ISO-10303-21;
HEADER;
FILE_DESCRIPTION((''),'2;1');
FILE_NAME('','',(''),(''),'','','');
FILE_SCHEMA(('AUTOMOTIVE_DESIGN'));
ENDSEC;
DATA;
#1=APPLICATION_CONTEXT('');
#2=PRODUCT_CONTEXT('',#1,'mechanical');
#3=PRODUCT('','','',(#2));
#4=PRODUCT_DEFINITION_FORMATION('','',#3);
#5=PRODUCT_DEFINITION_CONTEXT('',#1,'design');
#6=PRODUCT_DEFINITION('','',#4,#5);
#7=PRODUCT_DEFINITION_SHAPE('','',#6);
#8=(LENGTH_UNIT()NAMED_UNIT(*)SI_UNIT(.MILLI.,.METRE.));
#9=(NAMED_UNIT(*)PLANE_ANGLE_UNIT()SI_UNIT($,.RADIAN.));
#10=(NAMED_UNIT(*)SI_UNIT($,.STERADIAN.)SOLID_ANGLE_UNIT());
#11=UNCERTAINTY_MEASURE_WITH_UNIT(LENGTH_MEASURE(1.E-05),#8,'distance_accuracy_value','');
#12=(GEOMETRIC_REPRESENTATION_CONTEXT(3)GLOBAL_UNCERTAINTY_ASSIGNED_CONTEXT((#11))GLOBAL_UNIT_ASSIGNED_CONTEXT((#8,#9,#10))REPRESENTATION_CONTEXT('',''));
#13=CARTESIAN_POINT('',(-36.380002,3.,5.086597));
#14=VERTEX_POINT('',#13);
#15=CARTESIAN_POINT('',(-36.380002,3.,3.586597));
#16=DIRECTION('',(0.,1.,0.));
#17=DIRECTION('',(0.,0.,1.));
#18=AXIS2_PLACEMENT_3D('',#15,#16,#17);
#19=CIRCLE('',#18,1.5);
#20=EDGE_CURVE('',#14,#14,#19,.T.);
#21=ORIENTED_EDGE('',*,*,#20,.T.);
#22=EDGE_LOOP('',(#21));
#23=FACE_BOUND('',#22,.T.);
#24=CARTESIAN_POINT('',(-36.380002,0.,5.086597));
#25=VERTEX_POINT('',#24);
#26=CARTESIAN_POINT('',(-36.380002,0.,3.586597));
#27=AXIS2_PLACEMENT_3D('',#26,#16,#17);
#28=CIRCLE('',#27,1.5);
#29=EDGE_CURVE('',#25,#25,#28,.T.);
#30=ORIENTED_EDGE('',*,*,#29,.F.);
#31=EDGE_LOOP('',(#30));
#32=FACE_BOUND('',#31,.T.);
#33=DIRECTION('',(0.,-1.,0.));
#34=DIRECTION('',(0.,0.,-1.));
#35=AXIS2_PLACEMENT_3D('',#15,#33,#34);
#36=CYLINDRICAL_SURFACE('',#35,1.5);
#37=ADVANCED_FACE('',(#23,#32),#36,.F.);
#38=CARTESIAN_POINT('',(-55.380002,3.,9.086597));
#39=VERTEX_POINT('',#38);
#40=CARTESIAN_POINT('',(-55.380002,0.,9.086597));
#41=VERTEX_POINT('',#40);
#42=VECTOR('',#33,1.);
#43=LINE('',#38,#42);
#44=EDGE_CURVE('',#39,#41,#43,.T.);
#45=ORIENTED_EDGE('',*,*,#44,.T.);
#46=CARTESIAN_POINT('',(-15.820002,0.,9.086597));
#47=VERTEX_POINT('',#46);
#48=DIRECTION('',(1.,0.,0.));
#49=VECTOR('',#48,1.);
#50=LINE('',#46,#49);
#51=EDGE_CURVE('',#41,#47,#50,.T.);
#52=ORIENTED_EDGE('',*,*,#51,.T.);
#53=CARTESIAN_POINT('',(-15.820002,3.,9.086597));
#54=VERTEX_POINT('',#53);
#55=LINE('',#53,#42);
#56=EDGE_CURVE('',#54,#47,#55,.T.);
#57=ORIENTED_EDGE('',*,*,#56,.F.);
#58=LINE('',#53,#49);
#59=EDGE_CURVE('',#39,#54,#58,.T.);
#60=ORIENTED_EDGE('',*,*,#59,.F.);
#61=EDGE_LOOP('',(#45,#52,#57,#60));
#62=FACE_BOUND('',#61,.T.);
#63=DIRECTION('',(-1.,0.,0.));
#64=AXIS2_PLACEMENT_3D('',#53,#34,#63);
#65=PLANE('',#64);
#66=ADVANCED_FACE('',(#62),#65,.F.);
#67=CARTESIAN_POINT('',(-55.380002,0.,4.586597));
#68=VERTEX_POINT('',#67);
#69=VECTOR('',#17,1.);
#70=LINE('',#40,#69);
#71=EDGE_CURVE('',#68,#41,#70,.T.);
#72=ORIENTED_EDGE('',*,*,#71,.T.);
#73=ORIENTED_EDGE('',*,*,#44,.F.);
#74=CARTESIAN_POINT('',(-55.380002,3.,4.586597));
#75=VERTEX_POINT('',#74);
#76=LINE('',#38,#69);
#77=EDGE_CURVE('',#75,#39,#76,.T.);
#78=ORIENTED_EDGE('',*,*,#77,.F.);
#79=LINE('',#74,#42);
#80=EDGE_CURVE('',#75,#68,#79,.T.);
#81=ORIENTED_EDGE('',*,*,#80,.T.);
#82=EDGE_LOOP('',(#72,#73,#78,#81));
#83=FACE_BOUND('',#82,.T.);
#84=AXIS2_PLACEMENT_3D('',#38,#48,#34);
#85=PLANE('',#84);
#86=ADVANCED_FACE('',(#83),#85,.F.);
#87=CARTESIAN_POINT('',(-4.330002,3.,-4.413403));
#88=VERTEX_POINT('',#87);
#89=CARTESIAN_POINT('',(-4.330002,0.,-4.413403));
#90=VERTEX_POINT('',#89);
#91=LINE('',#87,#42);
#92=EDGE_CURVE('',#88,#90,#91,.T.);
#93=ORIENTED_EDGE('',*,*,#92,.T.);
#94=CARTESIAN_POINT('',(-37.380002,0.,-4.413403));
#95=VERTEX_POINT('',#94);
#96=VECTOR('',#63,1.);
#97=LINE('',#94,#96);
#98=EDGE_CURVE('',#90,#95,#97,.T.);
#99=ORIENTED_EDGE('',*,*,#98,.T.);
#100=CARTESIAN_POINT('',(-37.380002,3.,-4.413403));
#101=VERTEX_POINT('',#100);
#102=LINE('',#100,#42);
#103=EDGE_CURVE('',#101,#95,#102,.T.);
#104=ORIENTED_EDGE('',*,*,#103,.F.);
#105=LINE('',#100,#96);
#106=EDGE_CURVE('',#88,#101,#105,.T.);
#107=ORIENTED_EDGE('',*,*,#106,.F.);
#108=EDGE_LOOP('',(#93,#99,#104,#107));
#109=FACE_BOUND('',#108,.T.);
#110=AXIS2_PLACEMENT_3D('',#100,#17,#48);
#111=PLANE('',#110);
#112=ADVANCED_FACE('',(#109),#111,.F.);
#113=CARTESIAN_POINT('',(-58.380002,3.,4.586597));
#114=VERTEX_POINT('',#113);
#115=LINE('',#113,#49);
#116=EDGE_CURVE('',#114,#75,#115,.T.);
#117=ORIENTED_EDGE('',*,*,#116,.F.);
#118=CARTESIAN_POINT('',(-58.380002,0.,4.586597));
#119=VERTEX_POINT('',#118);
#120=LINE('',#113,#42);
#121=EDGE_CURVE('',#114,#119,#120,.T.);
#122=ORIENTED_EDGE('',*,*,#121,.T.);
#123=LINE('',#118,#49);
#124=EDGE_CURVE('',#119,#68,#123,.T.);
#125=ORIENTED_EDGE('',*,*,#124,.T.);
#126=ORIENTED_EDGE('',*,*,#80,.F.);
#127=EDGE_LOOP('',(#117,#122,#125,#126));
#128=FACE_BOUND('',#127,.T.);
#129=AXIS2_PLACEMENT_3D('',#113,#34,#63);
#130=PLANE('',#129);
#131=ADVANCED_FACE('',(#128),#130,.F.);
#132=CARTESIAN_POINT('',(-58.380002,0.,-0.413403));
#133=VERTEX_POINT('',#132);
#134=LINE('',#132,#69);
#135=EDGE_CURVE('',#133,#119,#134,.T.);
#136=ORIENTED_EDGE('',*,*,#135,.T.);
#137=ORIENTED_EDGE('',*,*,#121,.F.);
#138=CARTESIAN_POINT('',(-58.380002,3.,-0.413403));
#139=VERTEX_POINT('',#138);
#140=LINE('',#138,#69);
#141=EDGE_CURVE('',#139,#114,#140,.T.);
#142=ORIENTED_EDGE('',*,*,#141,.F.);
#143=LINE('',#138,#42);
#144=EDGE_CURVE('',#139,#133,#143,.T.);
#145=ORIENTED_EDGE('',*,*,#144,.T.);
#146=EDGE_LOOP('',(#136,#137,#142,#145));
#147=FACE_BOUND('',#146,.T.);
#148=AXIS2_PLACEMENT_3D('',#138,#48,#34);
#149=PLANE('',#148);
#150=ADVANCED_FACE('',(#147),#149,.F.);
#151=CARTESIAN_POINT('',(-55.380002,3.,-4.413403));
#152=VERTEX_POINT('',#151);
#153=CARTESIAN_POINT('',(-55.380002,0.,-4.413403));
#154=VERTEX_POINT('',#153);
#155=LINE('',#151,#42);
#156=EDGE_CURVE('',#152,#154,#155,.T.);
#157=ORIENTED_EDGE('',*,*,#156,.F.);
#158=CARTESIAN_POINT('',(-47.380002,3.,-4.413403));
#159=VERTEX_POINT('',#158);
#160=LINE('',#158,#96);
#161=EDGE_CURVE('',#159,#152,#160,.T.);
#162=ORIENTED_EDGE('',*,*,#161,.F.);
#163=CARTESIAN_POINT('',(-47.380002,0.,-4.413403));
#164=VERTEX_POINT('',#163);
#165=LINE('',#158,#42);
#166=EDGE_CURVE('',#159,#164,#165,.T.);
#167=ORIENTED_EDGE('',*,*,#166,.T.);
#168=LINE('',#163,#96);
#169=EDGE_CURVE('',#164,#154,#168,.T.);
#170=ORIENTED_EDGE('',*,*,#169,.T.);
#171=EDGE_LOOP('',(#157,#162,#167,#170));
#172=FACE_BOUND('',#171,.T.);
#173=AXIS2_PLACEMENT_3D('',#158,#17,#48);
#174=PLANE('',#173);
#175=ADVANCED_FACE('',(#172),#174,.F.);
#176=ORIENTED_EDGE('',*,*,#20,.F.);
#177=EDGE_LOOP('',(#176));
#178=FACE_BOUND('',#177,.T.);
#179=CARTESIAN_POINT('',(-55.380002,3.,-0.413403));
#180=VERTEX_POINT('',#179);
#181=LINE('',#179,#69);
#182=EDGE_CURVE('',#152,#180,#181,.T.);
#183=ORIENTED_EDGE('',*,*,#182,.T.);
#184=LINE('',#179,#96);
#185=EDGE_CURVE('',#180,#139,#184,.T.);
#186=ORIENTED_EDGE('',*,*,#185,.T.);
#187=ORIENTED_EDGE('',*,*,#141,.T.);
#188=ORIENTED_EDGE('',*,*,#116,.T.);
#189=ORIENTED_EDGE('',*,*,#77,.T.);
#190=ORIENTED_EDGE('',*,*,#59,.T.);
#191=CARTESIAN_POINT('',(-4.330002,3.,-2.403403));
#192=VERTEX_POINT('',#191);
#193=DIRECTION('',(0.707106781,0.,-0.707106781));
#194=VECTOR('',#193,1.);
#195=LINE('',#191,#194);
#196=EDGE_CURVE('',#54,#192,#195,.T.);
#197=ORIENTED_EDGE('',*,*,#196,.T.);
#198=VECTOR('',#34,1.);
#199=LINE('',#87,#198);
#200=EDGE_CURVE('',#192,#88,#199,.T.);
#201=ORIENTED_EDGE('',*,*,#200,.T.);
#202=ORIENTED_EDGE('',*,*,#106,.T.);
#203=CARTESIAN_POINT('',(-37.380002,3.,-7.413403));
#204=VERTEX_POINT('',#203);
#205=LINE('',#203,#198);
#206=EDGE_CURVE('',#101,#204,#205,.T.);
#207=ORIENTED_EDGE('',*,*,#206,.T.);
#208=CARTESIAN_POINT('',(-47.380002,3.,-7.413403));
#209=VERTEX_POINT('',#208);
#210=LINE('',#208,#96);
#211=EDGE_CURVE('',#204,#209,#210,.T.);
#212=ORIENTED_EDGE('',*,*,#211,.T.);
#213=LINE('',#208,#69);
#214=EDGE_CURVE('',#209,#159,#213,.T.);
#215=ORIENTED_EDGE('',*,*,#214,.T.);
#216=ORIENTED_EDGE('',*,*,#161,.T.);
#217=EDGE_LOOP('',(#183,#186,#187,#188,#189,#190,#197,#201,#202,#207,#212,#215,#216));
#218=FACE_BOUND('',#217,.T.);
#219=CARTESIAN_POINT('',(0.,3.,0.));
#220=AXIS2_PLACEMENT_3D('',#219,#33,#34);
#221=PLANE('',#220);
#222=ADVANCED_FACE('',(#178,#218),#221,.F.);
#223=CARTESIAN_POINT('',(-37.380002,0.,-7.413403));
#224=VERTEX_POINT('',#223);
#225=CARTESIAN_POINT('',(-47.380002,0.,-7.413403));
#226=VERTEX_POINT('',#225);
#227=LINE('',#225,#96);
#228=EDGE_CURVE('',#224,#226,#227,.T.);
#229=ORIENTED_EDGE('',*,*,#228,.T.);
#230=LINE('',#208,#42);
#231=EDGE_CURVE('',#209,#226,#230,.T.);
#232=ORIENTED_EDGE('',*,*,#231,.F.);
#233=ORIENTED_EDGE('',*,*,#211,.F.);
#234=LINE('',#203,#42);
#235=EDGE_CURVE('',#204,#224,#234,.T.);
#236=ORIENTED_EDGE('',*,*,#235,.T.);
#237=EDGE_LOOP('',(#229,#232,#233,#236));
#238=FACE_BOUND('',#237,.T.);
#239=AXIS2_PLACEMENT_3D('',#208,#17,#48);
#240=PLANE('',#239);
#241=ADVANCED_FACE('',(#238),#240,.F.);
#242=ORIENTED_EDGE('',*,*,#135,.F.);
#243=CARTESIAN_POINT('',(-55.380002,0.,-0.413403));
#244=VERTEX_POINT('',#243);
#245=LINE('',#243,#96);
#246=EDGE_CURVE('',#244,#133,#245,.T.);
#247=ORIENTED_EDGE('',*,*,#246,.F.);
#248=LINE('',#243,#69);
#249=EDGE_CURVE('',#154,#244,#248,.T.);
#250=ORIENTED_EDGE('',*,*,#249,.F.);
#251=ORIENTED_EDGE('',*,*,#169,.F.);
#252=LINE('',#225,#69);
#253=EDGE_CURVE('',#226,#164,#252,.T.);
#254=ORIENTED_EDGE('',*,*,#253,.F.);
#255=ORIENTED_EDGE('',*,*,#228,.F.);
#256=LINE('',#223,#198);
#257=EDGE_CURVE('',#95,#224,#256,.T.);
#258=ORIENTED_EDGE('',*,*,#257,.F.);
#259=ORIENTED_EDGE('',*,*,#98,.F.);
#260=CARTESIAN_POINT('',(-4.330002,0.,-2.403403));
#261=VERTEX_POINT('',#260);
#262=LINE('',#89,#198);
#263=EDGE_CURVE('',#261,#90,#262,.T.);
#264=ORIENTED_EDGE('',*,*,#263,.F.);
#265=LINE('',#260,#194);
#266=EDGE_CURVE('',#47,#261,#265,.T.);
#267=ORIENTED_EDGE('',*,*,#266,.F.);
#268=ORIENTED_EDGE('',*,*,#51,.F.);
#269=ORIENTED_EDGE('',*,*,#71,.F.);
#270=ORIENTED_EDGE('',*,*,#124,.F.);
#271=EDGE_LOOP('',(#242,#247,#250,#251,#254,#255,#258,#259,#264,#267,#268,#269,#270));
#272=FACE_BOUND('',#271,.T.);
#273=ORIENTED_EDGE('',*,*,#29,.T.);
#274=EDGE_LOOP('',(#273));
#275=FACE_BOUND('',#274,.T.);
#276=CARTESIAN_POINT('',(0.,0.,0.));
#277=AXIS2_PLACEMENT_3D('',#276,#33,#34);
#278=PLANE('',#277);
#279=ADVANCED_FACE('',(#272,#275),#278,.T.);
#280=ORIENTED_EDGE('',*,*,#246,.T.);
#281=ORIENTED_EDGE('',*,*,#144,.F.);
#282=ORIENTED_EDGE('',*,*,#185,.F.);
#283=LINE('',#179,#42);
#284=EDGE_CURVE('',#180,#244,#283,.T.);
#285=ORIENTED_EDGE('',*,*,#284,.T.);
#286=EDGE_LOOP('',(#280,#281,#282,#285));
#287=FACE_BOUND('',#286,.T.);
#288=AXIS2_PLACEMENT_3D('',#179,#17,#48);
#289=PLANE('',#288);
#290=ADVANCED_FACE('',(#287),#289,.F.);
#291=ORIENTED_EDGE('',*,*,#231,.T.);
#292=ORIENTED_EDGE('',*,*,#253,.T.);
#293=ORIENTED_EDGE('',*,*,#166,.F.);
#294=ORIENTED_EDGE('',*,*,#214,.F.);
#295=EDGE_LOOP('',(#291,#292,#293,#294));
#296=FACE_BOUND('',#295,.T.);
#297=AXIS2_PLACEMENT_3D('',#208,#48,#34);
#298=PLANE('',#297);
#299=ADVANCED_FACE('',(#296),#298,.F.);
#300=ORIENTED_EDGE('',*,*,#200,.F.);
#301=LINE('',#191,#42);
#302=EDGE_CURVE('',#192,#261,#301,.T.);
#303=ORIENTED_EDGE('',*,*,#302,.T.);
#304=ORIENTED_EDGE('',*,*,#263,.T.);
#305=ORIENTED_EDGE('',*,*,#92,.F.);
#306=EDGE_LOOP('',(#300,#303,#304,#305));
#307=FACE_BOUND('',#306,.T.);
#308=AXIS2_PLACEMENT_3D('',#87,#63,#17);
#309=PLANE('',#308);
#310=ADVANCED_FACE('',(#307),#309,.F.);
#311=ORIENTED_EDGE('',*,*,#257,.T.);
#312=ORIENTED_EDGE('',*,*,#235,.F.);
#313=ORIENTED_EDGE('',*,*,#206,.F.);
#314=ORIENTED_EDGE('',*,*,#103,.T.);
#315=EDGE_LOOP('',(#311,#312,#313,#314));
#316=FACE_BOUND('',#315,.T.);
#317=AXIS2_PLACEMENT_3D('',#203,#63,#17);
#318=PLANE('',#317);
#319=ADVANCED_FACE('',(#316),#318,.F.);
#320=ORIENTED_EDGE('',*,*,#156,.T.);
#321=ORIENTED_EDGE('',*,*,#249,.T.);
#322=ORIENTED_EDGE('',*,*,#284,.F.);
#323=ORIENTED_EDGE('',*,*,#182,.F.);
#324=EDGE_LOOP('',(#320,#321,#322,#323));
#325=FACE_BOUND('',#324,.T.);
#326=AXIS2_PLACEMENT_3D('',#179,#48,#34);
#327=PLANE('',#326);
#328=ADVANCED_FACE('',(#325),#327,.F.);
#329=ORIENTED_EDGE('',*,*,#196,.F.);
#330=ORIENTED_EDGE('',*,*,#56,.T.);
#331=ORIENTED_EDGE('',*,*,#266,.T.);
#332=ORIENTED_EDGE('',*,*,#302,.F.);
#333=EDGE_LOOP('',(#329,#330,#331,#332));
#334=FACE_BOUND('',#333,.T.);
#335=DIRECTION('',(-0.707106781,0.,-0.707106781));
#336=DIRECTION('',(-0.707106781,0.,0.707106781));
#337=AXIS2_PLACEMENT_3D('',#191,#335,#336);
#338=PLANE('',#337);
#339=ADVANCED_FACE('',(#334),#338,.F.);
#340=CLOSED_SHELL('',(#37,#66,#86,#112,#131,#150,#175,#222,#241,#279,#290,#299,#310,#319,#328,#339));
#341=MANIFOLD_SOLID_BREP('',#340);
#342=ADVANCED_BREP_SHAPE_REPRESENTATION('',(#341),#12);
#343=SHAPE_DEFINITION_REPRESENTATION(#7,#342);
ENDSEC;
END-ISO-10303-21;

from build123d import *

# Parameters (mm, degrees)
SKETCH1_R           = 1.5
BOSS_EXTRUDE1_DEPTH = 3


with BuildPart() as part:
    # Sketch1 → Boss-Extrude1 (new body)
    with BuildSketch(Plane(origin=(0, 0, 0), x_dir=(1, 0, 0), z_dir=(0, 1, 0))):
        Polygon((-47.380002118, 7.413403038), (-47.380002118, 4.413403038), (-55.380002118, 4.413403038), (-55.380002118, 0.413403038), (-58.380002118, 0.413403038), (-58.380002118, -4.586596962), (-55.380002118, -4.586596962), (-55.380002118, -9.086596962), (-15.820002118, -9.086596962), (-4.330002118, 2.403403038), (-4.330002118, 4.413403038), (-37.380002118, 4.413403038), (-37.380002118, 7.413403038), align=None)
        with Locations((-36.380002118, -3.586596962)):
            Circle(SKETCH1_R, mode=Mode.SUBTRACT)
    extrude(amount=BOSS_EXTRUDE1_DEPTH)


solid = part.part
